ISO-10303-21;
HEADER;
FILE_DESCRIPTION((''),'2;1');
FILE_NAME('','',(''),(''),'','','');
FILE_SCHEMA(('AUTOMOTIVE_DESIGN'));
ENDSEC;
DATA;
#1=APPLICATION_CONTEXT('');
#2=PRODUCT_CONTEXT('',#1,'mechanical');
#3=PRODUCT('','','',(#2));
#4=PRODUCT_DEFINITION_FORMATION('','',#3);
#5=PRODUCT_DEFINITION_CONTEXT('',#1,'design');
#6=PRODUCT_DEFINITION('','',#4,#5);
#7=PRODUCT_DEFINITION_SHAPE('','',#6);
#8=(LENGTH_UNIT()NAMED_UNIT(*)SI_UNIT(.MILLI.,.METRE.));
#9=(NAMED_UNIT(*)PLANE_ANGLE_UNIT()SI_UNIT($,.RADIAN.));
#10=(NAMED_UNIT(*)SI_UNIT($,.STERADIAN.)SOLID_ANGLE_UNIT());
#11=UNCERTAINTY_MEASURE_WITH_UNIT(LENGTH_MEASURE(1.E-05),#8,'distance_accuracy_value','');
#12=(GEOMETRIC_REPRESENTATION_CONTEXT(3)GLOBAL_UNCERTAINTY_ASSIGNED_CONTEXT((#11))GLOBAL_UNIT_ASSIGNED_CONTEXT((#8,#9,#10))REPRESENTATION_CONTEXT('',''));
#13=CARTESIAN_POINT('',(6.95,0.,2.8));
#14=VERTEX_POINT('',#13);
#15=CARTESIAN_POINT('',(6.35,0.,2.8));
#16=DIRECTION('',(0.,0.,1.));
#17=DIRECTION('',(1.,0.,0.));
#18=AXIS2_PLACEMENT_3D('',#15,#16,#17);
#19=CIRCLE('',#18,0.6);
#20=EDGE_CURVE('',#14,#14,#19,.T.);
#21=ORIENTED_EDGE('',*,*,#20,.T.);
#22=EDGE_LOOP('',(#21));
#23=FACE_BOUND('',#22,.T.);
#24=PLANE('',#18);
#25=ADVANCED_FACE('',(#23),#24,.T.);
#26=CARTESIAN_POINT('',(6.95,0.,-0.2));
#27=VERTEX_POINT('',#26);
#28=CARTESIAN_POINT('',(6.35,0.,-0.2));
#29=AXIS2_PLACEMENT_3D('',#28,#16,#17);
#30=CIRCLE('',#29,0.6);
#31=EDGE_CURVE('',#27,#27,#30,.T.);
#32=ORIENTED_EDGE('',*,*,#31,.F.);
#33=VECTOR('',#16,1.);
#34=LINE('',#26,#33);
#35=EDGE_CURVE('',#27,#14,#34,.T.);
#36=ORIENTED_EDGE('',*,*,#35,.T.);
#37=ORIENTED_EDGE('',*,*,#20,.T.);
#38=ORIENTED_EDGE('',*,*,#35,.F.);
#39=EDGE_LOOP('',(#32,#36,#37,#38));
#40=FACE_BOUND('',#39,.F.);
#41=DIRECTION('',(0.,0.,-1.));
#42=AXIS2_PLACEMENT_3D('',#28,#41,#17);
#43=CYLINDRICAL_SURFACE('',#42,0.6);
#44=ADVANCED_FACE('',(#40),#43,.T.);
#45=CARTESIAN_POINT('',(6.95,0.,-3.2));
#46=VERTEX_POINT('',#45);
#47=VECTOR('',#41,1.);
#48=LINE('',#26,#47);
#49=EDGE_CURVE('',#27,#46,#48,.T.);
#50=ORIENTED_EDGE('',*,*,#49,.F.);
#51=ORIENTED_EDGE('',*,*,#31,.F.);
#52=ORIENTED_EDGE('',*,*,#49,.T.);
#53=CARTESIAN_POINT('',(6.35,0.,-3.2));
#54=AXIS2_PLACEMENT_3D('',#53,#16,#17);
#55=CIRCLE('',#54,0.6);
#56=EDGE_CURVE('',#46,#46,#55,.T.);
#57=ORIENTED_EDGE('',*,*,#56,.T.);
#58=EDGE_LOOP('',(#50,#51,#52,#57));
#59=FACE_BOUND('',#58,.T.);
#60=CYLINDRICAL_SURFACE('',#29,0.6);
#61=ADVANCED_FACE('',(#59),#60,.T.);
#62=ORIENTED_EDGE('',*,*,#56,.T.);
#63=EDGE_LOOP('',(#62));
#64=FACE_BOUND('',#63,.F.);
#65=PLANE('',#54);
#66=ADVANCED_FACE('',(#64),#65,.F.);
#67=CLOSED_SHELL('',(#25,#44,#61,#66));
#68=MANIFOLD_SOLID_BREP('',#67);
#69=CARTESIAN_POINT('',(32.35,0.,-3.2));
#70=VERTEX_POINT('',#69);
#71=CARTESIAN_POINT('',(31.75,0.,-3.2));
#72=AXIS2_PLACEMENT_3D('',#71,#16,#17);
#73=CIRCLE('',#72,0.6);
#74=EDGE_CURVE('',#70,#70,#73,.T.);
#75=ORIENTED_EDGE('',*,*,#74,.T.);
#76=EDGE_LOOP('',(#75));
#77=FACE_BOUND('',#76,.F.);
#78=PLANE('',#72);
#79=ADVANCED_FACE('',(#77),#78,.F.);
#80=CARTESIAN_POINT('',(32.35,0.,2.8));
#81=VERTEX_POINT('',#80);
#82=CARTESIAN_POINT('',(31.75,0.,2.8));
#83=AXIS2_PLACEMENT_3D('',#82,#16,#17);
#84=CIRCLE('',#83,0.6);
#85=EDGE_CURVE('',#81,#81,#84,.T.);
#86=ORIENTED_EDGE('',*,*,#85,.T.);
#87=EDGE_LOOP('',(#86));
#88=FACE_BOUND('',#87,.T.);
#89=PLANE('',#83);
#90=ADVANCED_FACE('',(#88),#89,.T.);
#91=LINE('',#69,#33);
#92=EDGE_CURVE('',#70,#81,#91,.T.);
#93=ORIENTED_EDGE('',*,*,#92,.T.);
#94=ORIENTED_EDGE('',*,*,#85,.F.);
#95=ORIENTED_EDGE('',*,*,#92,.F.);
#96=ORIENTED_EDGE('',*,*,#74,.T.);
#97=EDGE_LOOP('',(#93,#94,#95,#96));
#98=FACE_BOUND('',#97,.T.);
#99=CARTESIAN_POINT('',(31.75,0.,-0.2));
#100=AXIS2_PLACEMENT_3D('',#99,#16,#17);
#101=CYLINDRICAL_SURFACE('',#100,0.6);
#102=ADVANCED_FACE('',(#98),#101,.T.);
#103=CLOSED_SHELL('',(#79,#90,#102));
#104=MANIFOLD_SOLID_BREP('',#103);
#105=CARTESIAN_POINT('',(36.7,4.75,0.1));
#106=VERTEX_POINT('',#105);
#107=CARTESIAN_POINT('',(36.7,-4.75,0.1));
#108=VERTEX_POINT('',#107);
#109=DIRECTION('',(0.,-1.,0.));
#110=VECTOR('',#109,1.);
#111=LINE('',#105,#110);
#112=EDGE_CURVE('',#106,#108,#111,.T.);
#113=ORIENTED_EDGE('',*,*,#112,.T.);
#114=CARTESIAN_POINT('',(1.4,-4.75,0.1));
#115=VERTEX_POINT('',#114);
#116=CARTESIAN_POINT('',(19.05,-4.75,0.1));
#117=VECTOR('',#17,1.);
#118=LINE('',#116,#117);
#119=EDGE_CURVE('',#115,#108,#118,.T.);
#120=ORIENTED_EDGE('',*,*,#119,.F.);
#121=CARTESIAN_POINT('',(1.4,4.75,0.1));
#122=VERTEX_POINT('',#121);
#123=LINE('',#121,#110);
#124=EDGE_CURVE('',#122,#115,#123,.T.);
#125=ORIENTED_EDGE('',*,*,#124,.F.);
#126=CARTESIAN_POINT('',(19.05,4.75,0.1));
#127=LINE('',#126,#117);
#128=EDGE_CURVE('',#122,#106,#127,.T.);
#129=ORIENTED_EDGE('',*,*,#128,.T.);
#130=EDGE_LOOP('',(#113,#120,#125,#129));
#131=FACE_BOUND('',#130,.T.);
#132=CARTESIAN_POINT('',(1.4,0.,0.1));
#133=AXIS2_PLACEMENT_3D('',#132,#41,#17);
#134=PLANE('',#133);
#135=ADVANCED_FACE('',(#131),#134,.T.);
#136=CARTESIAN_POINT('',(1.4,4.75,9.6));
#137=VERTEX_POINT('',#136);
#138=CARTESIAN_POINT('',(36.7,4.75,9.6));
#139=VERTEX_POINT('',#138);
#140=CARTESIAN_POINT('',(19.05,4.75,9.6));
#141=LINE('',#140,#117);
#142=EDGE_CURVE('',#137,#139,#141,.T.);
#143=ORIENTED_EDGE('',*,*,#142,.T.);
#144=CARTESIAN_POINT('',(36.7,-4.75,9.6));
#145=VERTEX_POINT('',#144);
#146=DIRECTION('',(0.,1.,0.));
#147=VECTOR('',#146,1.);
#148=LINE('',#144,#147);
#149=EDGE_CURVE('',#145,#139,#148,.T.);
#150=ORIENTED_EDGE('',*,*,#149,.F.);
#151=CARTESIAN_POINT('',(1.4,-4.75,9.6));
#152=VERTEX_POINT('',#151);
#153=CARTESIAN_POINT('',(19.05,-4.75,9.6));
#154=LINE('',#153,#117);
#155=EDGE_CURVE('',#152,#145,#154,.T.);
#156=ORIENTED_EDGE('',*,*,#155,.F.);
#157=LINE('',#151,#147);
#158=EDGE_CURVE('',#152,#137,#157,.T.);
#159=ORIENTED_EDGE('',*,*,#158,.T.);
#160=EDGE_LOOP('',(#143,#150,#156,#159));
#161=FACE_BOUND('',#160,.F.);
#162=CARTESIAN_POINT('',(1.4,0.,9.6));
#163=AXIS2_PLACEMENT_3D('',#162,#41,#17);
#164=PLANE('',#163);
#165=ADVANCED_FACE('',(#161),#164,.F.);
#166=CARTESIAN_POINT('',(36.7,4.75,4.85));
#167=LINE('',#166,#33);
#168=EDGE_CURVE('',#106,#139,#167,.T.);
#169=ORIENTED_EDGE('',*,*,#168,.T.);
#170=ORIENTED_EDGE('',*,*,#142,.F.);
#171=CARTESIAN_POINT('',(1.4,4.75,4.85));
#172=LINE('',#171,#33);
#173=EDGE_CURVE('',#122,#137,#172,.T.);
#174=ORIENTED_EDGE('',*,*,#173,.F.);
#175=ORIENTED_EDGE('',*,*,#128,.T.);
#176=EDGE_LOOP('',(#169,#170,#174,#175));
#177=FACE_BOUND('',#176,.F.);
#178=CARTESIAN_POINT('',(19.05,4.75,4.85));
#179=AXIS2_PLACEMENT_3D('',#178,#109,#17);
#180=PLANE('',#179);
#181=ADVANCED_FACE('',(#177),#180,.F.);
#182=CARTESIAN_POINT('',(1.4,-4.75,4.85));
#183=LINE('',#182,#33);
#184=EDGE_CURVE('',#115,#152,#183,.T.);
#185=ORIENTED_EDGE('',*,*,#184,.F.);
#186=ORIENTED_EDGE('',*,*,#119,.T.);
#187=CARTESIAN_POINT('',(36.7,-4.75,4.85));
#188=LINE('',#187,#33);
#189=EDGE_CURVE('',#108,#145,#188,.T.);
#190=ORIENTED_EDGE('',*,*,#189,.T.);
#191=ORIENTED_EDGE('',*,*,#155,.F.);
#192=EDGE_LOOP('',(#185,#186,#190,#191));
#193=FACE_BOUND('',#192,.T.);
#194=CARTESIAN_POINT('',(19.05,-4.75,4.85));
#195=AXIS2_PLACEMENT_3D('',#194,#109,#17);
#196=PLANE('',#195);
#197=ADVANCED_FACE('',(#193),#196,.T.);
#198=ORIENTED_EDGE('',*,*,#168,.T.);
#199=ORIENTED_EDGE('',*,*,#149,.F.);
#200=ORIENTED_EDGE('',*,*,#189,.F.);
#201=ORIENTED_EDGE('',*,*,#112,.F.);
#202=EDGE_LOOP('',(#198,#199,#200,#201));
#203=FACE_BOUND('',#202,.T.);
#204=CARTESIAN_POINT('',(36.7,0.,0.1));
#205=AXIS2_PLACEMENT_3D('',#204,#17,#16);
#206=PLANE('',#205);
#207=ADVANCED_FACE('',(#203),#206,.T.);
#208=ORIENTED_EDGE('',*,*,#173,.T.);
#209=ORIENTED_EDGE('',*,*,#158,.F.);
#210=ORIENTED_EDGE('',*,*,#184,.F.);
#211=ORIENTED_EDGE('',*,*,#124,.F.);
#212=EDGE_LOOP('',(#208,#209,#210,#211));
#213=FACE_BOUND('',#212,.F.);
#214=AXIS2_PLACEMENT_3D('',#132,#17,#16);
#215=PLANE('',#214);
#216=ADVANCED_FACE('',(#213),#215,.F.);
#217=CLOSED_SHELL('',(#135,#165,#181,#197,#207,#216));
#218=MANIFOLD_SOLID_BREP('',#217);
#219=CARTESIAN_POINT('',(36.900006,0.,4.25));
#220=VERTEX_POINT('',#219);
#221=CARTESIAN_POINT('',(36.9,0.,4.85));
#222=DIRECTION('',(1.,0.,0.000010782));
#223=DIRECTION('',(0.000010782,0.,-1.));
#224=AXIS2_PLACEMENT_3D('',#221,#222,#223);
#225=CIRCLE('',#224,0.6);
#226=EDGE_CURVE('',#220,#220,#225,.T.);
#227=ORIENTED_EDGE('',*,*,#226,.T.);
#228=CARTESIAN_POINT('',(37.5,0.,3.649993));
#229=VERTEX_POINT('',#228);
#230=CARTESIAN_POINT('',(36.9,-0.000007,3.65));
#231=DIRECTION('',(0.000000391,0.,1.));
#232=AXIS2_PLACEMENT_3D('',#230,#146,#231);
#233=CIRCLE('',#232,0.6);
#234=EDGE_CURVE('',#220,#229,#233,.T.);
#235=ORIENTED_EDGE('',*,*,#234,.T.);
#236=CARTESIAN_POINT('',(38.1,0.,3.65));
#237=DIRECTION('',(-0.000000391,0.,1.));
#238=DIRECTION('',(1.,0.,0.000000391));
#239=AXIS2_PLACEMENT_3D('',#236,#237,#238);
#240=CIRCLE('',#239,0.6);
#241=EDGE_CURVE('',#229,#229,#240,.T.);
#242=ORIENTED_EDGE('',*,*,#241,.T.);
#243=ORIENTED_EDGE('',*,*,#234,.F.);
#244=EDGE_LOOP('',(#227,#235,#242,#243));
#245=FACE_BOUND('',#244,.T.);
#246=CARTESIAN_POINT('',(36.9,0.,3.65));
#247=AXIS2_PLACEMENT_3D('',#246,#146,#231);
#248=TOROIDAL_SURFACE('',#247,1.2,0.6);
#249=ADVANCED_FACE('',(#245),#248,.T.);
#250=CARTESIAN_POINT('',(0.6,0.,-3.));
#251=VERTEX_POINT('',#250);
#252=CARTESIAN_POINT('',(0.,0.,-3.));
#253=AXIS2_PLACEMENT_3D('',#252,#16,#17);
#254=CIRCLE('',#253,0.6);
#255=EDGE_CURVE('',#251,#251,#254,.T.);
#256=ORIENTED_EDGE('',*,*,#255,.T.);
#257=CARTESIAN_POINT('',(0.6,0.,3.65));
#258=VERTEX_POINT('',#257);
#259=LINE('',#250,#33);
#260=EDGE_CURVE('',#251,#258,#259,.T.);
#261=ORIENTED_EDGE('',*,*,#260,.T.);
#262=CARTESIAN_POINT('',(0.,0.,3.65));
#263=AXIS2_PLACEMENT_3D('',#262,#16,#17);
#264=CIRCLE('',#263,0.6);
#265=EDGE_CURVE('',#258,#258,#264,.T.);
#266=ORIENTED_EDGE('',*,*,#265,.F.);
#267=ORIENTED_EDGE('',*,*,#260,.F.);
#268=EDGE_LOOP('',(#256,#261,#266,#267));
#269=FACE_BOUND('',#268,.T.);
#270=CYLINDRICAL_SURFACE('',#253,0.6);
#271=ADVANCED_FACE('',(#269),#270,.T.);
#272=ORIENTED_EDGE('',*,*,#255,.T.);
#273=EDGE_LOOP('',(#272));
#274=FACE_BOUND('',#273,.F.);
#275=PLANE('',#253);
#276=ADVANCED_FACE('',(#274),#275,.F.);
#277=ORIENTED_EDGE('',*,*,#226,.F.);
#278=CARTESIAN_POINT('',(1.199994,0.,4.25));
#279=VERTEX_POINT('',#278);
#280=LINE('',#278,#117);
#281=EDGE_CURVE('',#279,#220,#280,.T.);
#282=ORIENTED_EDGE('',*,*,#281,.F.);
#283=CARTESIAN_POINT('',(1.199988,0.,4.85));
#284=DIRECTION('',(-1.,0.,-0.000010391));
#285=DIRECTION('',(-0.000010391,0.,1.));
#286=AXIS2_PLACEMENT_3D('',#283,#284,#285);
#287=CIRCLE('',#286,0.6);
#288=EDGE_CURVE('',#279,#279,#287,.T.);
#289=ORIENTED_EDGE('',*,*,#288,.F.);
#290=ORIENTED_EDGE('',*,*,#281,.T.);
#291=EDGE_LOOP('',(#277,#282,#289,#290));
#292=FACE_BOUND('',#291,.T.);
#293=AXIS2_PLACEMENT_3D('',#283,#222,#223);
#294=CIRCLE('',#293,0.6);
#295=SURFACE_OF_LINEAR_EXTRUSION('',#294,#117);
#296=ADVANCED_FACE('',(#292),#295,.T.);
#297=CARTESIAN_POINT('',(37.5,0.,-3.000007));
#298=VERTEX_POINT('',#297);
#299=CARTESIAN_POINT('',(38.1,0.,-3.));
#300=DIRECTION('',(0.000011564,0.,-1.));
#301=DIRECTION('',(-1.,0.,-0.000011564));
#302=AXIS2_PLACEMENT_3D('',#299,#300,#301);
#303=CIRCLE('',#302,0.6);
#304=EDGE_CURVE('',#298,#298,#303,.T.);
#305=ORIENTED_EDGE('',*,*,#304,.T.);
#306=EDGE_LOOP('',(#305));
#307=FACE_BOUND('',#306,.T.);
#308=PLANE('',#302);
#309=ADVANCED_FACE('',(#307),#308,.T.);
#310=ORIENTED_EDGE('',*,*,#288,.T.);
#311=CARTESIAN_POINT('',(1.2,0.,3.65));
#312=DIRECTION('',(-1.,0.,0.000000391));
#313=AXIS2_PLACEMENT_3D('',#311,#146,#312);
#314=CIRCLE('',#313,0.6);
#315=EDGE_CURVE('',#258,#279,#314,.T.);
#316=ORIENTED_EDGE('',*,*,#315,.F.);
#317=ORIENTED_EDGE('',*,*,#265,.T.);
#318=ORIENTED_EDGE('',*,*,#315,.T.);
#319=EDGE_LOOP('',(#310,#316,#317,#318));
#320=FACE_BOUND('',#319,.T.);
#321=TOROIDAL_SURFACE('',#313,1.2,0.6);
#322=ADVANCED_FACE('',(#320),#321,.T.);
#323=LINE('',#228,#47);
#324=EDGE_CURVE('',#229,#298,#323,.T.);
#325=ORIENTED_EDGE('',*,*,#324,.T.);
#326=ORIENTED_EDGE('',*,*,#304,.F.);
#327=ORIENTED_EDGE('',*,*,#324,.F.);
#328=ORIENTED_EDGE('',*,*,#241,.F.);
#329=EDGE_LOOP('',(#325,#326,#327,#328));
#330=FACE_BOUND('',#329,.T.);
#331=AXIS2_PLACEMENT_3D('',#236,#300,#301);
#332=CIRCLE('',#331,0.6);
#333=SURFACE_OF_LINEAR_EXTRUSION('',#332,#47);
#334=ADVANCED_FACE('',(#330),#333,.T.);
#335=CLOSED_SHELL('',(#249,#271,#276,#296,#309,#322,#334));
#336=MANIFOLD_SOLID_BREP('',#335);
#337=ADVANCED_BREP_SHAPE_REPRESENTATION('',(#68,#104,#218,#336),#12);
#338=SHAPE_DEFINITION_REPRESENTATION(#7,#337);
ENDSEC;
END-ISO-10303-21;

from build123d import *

# Parameters (mm, degrees)
SKETCH_R     = 0.6
SKETCH002_W  = 35.3
SKETCH002_H  = 9.5
PAD_DEPTH    = 4.75
SKETCH004_R  = 0.6
PAD001_DEPTH = 3


with BuildPart() as sweep_body:
    # Sweep: sweep along a path in Sketch001
    with BuildLine(Plane.XZ) as sweep_path:
        Line((0, -3), (0, 3.65))
        ThreePointArc((0, 3.65), (0.351468, 4.498524), (1.199988, 4.85))
        Line((1.199988, 4.85), (36.9, 4.85))
        ThreePointArc((36.9, 4.85), (37.748528, 4.498528), (38.1, 3.65))
        Line((38.1, 3.65), (38.1, -3))
    # Sketch → Sweep (sweep)
    with BuildSketch(Plane.XY.offset(-2)):
        Circle(SKETCH_R)
    sweep(path=sweep_path.line)


with BuildPart() as pad:
    # Sketch002 → Pad (new body, symmetric)
    with BuildSketch(Plane.XZ):
        with Locations((19.05, 4.85)):
            Rectangle(SKETCH002_W, SKETCH002_H)
    extrude(amount=PAD_DEPTH, both=True)


with BuildPart() as pad001:
    # Sketch004 → Pad001 (new body, symmetric)
    with BuildSketch(Plane.XY.offset(-0.2)):
        with Locations((6.35, 0)):
            Circle(SKETCH004_R)
        with Locations((31.75, 0)):
            Circle(SKETCH004_R)
    extrude(amount=PAD001_DEPTH, both=True)


solid = Compound([sweep_body.part, pad.part, pad001.part])
